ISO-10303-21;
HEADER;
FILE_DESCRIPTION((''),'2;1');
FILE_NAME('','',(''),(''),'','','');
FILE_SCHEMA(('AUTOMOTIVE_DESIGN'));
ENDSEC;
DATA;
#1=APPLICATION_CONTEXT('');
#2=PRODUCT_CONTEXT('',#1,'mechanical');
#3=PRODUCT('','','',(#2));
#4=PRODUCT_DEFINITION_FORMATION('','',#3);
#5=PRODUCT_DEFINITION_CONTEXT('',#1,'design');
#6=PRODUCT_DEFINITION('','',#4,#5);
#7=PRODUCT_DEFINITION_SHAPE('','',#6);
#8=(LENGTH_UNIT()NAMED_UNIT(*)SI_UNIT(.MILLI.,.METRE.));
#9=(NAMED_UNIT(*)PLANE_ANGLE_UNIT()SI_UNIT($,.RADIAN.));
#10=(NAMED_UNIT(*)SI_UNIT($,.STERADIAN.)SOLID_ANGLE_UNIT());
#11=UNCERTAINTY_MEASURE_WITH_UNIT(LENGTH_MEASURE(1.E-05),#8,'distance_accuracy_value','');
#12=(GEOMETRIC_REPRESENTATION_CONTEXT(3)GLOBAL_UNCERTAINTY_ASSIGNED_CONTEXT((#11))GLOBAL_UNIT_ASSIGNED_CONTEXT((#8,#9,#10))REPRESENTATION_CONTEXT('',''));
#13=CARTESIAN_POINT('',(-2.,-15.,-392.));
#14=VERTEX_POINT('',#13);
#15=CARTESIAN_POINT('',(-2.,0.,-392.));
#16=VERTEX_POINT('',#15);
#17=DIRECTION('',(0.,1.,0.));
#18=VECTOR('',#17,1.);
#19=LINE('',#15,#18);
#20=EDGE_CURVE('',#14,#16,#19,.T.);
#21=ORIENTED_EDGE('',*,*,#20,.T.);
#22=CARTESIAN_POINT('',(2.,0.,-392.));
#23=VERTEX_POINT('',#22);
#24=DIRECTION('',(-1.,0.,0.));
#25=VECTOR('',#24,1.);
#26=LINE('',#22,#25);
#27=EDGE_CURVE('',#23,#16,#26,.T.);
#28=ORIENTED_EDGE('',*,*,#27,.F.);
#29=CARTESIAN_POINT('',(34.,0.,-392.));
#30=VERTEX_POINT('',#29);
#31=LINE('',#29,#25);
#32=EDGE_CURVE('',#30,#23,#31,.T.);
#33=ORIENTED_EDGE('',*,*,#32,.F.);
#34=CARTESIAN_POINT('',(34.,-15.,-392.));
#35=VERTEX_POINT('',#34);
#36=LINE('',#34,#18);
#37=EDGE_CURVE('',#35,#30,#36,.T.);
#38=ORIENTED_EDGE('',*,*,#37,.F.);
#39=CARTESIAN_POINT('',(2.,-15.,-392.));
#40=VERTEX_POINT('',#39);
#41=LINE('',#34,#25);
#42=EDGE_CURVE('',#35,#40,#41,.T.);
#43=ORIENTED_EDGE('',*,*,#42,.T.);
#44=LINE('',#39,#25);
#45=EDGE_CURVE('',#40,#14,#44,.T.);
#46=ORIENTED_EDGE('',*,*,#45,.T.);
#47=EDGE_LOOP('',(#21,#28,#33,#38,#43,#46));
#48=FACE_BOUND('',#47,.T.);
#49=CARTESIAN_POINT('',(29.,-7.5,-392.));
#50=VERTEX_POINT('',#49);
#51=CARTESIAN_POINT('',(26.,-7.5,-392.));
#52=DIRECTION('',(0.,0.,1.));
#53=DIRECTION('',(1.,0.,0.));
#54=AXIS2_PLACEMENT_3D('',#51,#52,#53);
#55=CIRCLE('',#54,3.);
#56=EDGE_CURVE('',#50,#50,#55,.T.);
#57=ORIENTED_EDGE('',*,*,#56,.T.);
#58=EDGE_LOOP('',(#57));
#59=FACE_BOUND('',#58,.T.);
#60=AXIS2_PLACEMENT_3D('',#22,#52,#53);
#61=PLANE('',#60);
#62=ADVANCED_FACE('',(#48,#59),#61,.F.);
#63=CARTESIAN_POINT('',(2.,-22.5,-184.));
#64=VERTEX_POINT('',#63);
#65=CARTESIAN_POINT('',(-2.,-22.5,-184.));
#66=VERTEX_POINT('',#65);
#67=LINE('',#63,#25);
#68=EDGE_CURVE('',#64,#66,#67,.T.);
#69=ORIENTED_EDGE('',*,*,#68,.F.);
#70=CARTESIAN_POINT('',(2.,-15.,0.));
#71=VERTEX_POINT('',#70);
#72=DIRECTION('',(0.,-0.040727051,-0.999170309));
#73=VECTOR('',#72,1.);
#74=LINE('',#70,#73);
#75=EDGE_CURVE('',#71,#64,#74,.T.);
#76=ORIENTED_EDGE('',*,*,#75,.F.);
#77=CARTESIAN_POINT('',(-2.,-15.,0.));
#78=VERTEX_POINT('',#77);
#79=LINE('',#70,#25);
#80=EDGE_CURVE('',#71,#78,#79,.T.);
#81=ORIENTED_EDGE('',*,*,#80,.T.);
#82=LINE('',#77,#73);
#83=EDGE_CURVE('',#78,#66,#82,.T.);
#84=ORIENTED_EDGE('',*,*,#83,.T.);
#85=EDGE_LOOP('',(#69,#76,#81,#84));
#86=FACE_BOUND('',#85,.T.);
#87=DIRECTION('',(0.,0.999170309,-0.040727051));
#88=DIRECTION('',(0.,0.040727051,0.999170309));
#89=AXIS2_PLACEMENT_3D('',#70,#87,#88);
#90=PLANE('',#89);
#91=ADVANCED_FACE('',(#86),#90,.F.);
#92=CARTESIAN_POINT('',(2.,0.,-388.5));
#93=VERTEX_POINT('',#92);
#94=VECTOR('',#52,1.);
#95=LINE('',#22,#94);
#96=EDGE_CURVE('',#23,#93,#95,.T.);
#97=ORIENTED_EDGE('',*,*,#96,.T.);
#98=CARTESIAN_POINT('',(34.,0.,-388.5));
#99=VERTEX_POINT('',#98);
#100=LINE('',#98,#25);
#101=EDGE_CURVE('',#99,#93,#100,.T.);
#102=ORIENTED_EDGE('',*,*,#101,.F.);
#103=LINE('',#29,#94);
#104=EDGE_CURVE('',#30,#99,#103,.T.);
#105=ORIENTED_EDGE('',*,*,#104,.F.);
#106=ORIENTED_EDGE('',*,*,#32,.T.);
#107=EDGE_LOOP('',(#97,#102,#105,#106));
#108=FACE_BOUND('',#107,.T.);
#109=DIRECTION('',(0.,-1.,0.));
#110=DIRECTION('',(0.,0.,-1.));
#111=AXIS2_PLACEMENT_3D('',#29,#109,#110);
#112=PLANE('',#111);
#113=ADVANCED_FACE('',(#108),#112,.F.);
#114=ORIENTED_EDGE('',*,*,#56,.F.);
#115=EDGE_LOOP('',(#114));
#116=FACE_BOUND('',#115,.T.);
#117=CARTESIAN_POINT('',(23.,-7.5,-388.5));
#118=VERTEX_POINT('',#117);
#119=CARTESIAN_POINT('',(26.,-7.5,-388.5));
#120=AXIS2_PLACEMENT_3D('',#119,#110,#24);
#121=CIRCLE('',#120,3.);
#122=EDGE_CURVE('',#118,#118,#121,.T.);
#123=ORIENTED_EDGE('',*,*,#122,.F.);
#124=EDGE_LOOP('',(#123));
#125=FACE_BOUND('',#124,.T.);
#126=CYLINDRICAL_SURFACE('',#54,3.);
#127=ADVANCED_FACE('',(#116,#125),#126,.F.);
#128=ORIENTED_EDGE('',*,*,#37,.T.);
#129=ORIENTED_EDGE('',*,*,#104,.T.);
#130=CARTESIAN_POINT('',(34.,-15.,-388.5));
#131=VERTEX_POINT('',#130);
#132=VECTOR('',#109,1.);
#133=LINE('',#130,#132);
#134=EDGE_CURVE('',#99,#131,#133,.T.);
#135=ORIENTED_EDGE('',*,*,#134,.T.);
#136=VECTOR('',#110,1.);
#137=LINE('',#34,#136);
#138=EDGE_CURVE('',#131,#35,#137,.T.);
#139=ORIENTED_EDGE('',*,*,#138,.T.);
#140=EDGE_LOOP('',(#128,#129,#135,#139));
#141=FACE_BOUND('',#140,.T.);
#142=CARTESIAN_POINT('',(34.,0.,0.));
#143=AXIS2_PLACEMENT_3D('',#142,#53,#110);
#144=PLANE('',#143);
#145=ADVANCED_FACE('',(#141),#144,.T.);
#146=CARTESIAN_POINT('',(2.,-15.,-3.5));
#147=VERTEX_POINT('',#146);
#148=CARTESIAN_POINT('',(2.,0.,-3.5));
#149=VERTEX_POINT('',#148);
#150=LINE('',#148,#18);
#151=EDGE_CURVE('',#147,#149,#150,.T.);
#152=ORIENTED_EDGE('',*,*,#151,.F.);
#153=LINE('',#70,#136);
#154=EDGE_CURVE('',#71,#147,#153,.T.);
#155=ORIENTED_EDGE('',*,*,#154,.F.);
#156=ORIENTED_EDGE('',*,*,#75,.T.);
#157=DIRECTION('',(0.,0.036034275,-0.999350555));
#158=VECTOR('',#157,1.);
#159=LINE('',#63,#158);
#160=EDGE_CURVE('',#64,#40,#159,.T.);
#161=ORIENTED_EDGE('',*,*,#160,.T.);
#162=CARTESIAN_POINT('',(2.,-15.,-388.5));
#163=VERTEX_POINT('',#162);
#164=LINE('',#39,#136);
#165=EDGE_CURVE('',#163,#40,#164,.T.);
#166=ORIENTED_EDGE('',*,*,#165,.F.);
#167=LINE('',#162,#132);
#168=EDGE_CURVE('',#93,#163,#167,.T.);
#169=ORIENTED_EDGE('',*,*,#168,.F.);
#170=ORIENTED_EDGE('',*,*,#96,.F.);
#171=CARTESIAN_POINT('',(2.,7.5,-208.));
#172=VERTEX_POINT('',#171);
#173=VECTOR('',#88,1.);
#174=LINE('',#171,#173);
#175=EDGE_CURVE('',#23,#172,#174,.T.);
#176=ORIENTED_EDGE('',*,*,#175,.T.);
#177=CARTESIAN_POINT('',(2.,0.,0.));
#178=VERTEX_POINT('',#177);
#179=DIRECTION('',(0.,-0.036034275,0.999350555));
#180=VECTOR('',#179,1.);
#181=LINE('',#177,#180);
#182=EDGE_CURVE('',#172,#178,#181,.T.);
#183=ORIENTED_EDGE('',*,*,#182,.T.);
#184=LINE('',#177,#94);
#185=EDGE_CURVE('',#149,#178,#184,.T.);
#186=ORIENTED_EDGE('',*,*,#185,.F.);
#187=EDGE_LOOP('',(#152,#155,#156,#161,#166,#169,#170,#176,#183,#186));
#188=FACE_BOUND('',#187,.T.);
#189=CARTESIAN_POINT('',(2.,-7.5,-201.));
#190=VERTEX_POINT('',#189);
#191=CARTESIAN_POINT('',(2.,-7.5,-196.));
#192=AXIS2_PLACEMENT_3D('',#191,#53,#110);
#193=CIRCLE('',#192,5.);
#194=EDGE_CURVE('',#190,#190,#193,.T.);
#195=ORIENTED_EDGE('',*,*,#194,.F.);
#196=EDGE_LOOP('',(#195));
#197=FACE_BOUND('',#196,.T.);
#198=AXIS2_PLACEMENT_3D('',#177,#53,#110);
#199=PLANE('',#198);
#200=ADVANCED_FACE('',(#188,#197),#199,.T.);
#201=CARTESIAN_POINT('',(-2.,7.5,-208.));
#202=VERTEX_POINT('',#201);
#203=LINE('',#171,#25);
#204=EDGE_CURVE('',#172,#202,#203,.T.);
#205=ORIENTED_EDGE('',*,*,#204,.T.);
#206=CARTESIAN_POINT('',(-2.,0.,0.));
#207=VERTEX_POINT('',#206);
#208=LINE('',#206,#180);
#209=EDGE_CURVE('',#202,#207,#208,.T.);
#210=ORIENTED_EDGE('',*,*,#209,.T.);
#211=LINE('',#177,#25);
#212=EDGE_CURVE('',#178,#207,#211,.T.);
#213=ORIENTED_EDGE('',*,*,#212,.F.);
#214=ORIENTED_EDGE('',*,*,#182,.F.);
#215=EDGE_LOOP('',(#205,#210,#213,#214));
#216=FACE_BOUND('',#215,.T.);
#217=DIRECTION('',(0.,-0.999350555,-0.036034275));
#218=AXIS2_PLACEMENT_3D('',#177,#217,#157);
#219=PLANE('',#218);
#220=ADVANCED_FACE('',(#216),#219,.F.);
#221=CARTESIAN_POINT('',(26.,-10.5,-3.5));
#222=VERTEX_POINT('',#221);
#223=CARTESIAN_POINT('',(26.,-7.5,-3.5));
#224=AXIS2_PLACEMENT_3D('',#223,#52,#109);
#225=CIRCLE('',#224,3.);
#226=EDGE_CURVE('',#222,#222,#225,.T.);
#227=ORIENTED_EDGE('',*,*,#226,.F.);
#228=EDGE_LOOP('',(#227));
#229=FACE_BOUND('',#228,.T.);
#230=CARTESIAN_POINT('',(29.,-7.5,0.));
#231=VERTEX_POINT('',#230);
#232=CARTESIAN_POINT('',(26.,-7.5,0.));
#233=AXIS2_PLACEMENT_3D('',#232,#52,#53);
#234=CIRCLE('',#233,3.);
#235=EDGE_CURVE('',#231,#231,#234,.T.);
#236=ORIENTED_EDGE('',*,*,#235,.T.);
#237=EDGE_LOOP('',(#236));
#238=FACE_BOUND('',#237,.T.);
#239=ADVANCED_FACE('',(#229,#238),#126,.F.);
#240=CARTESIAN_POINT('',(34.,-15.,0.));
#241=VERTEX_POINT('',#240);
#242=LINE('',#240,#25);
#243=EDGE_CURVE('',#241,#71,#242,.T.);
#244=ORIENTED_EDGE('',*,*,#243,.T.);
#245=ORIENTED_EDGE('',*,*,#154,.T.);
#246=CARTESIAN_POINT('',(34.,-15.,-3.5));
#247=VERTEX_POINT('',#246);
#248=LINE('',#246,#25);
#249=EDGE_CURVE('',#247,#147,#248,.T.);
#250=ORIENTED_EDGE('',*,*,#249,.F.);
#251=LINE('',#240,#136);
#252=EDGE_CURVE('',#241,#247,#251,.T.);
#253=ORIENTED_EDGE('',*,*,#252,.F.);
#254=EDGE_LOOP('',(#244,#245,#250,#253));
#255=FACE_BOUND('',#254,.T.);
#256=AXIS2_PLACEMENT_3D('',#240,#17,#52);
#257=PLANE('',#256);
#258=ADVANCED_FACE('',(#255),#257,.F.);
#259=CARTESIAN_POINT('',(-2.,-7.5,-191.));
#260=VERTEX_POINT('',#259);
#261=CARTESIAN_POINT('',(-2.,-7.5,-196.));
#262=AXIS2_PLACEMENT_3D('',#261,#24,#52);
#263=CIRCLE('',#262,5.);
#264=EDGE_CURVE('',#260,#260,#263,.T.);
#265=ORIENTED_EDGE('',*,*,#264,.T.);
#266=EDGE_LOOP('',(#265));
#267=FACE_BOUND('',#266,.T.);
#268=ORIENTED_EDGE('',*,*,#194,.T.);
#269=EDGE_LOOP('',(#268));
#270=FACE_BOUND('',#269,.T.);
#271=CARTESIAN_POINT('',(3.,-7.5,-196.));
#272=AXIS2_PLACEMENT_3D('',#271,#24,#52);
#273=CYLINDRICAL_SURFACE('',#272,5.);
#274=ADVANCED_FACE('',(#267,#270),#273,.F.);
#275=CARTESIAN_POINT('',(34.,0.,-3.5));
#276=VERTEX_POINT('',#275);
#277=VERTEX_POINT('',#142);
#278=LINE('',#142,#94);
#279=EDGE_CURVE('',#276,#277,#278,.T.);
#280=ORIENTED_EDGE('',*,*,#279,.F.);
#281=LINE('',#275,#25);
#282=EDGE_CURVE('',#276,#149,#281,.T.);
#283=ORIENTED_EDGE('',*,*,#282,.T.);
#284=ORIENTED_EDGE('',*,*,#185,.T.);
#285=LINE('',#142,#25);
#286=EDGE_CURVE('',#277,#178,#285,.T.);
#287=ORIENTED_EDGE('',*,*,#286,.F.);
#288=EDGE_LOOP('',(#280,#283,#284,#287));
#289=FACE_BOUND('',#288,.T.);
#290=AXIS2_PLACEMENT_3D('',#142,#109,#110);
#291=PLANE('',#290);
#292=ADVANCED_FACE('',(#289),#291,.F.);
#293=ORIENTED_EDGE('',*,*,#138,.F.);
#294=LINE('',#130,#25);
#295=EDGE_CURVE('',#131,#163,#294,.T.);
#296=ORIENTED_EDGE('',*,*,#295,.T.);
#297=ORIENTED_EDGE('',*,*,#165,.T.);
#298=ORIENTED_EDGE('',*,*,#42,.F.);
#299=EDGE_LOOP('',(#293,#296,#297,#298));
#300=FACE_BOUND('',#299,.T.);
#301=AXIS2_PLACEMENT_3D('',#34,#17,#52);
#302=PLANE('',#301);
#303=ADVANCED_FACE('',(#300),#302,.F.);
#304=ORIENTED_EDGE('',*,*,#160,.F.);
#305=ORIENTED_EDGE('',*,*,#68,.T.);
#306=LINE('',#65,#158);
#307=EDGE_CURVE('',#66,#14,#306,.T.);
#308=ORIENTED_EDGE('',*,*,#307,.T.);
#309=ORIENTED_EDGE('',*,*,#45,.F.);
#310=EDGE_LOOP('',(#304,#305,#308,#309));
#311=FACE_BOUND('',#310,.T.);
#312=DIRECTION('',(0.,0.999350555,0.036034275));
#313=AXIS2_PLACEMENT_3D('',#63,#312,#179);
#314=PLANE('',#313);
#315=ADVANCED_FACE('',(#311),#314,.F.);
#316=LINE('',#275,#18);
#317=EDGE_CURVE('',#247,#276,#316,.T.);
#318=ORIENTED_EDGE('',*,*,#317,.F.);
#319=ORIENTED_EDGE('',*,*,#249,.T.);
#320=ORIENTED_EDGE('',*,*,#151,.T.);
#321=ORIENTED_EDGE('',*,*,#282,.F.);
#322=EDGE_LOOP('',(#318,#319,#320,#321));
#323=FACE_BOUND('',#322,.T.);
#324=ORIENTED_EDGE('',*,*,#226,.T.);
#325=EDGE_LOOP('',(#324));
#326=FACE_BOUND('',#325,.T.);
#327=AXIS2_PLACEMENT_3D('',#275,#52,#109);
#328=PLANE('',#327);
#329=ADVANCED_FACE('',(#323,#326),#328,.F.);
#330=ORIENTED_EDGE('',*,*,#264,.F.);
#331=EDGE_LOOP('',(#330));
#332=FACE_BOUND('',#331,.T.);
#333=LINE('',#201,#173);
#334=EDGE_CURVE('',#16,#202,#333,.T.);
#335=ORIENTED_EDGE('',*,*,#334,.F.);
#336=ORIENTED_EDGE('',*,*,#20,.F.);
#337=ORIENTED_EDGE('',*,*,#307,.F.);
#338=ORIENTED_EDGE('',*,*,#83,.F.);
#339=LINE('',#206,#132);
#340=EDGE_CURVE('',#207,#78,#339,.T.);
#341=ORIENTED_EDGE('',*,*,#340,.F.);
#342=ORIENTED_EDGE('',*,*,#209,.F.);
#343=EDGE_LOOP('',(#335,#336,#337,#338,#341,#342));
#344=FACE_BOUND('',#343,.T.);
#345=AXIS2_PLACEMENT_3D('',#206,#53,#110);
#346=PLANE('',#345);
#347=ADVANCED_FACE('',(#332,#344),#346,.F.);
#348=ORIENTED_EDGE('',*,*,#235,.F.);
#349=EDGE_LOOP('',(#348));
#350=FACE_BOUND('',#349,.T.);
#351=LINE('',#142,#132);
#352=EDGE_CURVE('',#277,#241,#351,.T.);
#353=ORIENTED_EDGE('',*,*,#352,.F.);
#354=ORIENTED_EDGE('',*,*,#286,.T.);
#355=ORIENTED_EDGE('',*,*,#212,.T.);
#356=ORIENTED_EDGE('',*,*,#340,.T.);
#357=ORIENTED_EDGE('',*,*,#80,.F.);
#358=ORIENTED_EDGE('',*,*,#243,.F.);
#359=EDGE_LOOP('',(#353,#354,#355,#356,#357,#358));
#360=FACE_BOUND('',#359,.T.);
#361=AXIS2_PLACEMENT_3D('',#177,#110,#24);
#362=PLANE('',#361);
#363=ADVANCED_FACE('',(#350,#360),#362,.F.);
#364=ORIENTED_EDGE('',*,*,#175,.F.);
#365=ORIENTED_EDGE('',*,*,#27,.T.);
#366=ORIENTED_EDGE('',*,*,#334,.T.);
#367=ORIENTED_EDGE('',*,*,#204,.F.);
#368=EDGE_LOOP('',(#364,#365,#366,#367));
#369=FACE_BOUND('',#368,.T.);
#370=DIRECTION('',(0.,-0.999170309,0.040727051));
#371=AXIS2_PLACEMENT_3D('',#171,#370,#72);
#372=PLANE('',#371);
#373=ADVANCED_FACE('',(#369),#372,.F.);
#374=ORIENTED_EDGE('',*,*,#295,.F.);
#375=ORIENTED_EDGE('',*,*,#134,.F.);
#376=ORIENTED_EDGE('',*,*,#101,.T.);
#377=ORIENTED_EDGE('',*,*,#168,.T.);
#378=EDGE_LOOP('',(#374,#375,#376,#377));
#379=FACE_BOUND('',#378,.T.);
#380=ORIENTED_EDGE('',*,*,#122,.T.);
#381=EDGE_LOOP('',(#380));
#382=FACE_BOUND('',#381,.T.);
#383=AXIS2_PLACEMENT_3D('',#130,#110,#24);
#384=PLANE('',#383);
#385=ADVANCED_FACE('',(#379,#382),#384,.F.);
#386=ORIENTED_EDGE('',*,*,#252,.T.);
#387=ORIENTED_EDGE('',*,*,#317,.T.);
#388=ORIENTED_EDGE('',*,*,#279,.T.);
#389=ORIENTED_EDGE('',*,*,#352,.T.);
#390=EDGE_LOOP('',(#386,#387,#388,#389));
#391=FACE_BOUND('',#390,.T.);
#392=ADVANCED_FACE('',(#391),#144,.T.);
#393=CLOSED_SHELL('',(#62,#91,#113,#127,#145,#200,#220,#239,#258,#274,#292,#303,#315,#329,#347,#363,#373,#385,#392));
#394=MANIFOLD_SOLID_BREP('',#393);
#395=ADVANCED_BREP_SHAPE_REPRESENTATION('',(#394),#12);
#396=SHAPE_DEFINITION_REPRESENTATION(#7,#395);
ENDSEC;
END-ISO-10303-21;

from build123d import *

# Parameters (mm, degrees)
BOSS_EXTRUDE2_DEPTH = 2
SKETCH4_W           = 3.5
SKETCH4_H           = 15
BOSS_EXTRUDE3_DEPTH = 32
SKETCH5_R           = 3
CUT_EXTRUDE1_DEPTH  = 392
SKETCH7_R           = 5
CUT_EXTRUDE2_DEPTH  = 5


with BuildPart() as part:
    # Sketch2 → Boss-Extrude2 (new, symmetric)
    with BuildSketch(Plane(origin=(0, 0, 0), x_dir=(0, 0, -1), z_dir=(1, 0, 0))):
        Polygon((0, 0), (208, 7.5), (392, 0), (392, -15), (184, -22.5), (0, -15), align=None)
    extrude(amount=BOSS_EXTRUDE2_DEPTH, both=True)

    # Sketch4 → Boss-Extrude3 (add)
    with BuildSketch(Plane(origin=(2, 0, 0), x_dir=(0, 0, -1), z_dir=(1, 0, 0))):
        with Locations((1.75, -7.5)):
            Rectangle(SKETCH4_W, SKETCH4_H)
        with Locations((390.25, -7.5)):
            Rectangle(SKETCH4_W, SKETCH4_H)
    extrude(amount=BOSS_EXTRUDE3_DEPTH)

    # Sketch5 → Cut-Extrude1 (cut)
    with BuildSketch(Plane.XY):
        with Locations((26, -7.5)):
            Circle(SKETCH5_R)
    extrude(amount=-CUT_EXTRUDE1_DEPTH, mode=Mode.SUBTRACT)

    # Sketch7 → Cut-Extrude2 (cut)
    with BuildSketch(Plane.ZY.offset(2)):
        with Locations((-196, -7.5)):
            Circle(SKETCH7_R)
    extrude(amount=-CUT_EXTRUDE2_DEPTH, mode=Mode.SUBTRACT)


solid = part.part
